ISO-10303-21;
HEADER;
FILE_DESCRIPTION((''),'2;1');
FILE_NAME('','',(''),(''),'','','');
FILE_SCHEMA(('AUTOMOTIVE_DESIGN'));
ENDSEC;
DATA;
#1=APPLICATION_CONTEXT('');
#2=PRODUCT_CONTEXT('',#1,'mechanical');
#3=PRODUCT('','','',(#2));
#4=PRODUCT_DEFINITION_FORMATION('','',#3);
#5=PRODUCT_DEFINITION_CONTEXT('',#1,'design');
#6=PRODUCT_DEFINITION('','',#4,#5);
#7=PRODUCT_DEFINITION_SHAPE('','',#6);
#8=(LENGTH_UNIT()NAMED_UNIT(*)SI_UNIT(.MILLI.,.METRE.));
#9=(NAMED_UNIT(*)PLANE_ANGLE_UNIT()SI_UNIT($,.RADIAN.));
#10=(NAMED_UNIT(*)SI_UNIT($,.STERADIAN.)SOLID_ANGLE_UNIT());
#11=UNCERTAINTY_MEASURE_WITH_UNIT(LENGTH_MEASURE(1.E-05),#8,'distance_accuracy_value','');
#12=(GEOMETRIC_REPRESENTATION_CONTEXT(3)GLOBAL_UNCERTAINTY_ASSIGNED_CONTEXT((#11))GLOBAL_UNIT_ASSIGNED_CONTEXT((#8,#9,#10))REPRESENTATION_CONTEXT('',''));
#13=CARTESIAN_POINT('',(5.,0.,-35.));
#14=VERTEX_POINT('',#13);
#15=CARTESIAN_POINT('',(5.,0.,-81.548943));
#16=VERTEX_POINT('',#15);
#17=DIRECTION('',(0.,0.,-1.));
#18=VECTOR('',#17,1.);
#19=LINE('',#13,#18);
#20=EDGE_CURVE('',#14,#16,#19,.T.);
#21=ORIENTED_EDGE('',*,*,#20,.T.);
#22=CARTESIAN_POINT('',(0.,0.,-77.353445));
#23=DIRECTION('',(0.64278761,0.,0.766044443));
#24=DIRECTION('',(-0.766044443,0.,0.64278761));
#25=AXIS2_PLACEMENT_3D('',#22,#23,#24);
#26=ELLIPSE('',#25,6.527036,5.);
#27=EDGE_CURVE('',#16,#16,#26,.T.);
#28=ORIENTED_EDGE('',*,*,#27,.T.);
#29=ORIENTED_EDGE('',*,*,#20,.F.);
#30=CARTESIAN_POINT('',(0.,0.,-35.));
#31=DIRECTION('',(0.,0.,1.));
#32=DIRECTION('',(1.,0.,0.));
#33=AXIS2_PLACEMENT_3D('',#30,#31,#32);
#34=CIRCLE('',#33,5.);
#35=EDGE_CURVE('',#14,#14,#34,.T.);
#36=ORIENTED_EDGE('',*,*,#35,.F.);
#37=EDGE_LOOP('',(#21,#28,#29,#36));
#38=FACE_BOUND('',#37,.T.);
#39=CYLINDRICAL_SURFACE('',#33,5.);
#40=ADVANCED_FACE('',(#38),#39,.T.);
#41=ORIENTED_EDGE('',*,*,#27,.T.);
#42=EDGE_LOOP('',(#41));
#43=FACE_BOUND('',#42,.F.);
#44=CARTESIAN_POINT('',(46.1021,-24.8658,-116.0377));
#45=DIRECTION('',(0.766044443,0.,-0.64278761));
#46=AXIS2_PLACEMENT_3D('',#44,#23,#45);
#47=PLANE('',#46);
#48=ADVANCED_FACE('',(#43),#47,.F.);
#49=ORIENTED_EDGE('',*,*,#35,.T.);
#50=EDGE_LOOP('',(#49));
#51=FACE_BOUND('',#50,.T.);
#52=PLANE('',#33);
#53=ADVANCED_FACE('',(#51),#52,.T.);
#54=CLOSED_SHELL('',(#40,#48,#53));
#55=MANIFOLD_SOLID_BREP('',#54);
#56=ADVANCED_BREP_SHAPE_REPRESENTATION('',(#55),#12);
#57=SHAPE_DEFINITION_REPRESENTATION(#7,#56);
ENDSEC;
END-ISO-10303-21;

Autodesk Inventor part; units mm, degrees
ref_plane "YZ Plane" through (0, 0, 0) normal (1, 0, 0) x (0, 1, 0)
ref_plane "XZ Plane" through (0, 0, 0) normal (0, 1, 0) x (-1, 0, 0)
sketch "Sketch1" plane through (0, 0, 0) normal (0, 0, 1) x (1, 0, 0)
  point P0 (0, 0)
ref_plane "Work Plane1" through (0, 0, -35) normal (0, 0, 1) x (1, 0, 0)
sketch "Sketch2" plane through (0, 0, -35) normal (0, 0, 1) x (1, 0, 0)
  circle A0 centre (0, 0) radius 5
  dimension "d0" = 10
ref_plane "Work Plane2" through (46.1021, -24.8658, -116.0377) normal (0.6428, 0, 0.766) x (0.766, 0, -0.6428)
extrude "Extrusion1" add sketch "Sketch2" against normal up to surface surface through (46.1021, -24.8658, -116.0377) normal (0.6428, 0, 0.766)
ref_plane "Work Plane3" through (-5, 0, -73.1579) normal (0, 0, 1) x (1, 0, 0)
sketch "Sketch5" plane through (-5, 0, -73.1579) normal (0, 0, 1) x (1, 0, 0)
  circle A0 centre (5, 0) radius 5 projected
  point P0 (5, 0)
properties part number "notch piston"
